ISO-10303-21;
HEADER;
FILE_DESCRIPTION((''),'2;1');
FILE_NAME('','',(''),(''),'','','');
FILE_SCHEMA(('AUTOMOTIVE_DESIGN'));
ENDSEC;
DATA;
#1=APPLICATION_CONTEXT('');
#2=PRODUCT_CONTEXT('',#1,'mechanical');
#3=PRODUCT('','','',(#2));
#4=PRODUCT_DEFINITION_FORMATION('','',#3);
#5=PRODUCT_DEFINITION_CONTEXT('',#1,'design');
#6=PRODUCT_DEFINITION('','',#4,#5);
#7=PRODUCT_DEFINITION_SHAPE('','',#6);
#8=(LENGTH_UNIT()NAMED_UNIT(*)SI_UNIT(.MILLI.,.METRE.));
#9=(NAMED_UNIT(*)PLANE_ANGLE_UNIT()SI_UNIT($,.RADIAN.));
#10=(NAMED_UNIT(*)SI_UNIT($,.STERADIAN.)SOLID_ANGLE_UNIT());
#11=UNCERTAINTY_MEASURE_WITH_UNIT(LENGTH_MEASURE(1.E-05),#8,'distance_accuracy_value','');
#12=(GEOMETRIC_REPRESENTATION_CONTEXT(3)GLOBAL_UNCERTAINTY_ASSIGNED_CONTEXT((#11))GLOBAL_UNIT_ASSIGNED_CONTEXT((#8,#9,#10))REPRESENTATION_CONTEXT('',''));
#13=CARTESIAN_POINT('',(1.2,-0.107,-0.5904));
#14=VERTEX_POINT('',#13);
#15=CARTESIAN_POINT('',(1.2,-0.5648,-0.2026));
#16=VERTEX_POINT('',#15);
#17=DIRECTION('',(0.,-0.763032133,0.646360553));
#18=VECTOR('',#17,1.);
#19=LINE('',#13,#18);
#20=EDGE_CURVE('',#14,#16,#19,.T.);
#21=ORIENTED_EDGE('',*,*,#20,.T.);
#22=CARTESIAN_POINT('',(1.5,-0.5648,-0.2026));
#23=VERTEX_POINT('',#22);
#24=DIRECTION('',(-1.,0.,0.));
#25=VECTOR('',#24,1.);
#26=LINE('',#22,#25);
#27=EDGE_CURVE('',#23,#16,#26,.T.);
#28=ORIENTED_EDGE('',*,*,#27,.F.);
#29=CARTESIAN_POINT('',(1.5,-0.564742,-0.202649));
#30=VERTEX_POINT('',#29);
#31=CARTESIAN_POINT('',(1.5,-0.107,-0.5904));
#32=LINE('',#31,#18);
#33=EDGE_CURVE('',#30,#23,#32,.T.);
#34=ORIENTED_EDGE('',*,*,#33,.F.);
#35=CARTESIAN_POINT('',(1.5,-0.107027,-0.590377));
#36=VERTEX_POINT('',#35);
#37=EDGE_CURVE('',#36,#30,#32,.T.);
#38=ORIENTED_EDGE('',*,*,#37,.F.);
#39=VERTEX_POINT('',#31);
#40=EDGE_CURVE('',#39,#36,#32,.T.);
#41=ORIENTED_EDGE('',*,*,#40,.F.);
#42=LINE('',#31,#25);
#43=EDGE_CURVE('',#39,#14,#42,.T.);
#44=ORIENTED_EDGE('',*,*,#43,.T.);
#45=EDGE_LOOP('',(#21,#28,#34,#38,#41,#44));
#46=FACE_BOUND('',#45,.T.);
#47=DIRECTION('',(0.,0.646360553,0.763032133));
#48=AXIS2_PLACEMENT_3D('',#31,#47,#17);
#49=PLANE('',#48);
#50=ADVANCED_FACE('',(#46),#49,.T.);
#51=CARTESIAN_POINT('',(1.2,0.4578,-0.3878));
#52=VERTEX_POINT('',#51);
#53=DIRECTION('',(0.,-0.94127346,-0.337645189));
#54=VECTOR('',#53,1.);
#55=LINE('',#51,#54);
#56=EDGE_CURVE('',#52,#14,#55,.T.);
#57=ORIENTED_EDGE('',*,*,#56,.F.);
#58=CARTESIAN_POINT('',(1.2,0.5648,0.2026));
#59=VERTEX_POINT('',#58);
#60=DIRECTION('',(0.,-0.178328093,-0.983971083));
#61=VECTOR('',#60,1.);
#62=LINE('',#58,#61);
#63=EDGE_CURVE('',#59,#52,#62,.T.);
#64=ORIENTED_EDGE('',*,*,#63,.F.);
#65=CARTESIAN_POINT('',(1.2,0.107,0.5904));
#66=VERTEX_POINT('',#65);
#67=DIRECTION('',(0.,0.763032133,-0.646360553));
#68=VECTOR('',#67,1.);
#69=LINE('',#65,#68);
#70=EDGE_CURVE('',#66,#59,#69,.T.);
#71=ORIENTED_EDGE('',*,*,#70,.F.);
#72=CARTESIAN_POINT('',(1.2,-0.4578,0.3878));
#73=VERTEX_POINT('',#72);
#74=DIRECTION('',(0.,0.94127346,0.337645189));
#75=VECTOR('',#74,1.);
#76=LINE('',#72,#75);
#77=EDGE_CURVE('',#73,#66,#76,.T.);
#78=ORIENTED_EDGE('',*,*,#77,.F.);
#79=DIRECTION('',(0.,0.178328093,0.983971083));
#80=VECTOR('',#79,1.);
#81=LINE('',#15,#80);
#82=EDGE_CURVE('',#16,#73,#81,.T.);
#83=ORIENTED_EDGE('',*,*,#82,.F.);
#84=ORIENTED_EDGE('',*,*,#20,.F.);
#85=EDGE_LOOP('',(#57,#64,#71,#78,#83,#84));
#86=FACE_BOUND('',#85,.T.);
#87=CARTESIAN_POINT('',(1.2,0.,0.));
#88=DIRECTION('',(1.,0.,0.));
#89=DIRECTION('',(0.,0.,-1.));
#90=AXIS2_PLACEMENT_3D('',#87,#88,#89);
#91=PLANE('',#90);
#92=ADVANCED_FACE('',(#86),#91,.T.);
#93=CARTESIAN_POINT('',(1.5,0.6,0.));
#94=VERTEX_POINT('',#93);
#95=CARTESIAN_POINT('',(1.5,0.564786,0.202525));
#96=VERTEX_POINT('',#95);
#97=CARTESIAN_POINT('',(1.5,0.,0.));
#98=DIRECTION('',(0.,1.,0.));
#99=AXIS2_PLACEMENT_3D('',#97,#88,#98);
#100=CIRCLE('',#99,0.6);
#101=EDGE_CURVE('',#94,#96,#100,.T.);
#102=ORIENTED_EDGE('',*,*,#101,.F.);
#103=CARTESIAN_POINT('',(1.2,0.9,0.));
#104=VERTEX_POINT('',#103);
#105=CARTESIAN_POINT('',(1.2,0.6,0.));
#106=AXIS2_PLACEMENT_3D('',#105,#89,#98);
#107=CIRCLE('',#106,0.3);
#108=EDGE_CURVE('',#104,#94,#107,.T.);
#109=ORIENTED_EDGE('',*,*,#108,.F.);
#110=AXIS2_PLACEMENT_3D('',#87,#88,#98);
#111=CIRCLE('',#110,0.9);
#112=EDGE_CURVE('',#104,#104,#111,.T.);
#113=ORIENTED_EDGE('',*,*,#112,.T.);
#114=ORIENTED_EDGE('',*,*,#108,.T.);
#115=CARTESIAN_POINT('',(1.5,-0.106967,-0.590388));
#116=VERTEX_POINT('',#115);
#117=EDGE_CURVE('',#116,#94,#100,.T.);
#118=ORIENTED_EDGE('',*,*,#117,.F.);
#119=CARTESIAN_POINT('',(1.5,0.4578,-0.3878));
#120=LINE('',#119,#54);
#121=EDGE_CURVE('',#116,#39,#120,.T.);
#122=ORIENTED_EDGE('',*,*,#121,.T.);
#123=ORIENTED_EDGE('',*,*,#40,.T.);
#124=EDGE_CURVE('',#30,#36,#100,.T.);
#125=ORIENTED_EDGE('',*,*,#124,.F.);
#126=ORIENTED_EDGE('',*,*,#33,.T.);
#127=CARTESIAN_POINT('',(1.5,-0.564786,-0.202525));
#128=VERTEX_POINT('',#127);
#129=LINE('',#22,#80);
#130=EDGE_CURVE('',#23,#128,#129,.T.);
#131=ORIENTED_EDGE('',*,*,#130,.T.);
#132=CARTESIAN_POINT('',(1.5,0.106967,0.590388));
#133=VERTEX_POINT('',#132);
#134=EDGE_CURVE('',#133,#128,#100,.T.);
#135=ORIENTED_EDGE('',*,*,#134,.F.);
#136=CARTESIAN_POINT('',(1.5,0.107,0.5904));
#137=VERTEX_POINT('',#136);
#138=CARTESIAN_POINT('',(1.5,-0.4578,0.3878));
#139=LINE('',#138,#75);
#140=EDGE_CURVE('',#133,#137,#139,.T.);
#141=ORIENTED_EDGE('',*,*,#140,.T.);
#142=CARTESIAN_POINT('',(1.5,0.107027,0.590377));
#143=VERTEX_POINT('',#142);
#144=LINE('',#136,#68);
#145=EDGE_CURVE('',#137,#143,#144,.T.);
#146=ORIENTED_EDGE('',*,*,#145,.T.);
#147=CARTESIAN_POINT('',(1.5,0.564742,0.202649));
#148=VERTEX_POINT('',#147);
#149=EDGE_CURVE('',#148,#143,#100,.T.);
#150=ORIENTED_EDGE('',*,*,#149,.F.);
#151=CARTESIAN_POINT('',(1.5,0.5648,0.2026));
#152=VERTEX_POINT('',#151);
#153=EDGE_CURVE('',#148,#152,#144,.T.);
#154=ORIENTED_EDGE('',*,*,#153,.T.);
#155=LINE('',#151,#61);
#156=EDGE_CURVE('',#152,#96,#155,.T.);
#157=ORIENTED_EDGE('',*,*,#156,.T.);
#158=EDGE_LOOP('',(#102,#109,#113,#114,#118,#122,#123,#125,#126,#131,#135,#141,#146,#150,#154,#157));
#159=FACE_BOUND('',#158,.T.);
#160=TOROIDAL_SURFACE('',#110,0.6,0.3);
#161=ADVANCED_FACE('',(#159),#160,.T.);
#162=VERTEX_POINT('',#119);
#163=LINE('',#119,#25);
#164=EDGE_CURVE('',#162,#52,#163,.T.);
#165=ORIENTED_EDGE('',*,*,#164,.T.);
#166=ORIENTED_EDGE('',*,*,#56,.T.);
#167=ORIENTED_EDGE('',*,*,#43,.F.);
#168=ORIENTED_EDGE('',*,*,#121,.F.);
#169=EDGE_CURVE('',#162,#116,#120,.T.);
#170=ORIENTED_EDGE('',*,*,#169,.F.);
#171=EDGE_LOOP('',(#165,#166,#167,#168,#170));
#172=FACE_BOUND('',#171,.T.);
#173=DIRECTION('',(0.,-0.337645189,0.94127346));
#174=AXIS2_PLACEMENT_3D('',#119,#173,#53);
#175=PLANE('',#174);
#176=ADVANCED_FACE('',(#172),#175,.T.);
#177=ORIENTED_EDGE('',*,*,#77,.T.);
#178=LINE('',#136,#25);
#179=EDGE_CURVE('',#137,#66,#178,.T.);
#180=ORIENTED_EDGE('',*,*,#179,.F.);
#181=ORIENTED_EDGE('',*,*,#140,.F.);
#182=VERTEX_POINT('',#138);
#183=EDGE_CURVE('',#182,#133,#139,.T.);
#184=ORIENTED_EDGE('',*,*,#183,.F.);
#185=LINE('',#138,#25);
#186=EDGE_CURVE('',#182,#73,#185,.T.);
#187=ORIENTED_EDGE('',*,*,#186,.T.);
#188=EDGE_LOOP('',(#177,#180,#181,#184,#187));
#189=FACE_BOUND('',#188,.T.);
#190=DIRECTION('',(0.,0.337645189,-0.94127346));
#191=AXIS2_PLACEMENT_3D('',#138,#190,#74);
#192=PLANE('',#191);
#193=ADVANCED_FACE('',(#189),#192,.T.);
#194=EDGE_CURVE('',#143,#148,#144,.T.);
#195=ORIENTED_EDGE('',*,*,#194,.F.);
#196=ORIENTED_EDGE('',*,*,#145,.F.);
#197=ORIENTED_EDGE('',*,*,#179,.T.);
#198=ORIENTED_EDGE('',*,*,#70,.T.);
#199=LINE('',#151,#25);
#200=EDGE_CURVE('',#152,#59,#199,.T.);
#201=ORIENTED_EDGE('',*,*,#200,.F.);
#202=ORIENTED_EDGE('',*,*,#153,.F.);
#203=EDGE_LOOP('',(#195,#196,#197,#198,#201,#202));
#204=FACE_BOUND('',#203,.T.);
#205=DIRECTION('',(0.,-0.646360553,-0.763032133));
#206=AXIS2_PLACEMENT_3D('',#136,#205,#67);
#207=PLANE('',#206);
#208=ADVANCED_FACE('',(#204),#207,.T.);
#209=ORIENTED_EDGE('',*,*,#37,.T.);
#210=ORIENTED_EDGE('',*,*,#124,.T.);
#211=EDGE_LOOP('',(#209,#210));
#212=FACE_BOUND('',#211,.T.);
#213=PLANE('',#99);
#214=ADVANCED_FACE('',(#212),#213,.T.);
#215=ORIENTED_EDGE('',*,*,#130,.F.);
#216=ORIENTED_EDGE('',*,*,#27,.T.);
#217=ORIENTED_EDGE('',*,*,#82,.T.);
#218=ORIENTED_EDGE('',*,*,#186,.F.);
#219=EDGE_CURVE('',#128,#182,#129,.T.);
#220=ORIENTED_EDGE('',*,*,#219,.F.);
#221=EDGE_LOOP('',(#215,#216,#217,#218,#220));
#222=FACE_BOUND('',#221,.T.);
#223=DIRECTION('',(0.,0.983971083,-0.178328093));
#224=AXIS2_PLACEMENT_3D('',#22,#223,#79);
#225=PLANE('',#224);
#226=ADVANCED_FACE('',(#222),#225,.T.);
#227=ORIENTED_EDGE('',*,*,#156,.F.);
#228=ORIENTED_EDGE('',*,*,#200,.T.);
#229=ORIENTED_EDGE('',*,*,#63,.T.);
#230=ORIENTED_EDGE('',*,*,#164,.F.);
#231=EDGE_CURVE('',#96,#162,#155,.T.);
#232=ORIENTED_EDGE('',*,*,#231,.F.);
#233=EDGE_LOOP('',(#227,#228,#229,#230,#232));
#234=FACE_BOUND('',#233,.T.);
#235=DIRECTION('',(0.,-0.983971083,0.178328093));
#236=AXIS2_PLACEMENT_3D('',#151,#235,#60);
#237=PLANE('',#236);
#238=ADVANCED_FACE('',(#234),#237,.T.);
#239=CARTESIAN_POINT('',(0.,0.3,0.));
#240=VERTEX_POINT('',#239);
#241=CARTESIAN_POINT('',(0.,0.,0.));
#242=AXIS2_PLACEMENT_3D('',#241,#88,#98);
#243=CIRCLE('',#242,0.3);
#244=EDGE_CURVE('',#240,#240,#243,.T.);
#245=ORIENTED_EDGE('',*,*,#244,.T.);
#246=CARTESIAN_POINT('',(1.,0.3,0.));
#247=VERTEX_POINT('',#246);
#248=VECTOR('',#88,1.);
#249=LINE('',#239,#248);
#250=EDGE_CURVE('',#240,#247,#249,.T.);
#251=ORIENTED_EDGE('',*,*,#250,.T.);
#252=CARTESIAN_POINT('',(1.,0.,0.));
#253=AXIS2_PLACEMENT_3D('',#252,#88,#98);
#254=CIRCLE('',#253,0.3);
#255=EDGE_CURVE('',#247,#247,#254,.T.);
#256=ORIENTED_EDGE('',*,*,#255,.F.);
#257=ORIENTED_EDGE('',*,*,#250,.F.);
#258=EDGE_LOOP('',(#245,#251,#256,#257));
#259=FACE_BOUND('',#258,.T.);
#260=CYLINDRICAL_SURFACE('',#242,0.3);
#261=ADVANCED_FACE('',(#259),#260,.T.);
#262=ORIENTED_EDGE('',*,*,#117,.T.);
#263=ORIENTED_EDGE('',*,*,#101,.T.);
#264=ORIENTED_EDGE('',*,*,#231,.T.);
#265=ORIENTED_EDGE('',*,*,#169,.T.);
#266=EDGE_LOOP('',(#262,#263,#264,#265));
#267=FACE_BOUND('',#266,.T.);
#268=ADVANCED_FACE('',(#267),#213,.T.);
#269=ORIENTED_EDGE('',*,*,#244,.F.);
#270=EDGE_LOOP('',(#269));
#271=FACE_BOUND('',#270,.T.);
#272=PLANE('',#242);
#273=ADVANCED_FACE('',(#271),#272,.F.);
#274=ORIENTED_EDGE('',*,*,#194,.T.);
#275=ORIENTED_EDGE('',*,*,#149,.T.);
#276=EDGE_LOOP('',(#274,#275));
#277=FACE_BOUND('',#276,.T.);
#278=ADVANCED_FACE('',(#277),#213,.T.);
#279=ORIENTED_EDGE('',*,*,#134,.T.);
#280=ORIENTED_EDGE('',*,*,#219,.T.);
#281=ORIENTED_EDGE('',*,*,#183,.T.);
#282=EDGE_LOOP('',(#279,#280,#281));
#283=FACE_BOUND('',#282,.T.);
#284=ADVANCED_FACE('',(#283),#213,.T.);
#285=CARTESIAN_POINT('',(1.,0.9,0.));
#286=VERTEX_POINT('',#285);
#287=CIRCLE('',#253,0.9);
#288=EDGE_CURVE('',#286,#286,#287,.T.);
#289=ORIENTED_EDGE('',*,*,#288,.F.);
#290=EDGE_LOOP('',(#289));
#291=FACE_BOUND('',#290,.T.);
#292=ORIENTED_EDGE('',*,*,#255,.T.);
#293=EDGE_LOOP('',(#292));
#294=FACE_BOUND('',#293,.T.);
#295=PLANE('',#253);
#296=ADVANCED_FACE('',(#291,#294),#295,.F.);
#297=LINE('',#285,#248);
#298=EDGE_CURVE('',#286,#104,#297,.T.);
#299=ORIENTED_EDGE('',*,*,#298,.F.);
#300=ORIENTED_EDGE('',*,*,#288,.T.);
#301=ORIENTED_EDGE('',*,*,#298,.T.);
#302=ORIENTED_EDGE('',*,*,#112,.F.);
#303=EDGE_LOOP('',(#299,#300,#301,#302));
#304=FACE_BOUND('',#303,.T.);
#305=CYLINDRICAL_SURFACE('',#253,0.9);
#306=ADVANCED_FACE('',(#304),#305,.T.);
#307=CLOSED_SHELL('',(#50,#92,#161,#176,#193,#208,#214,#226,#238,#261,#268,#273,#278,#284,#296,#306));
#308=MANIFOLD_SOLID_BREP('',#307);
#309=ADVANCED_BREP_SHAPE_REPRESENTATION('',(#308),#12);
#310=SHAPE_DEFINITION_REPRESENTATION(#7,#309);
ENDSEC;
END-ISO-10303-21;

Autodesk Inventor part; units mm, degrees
ref_plane "YZ Plane" through (0, 0, 0) normal (1, 0, 0) x (0, 1, 0)
ref_plane "XZ Plane" through (0, 0, 0) normal (0, 1, 0) x (-1, 0, 0)
ref_plane "XY Plane" through (0, 0, 0) normal (0, 0, 1) x (1, 0, 0)
sketch "Szkic1" plane through (0, 0, 0) normal (0, 0, 1) x (1, 0, 0)
  line L0 (-0.3, 0) -> (1.8, 0) projected
  line L1 (0, -0.18) -> (0, 1.08) construction
  line L2 (0, 0) -> (0, 0.3)
  line L3 (0, 0.3) -> (1, 0.3)
  line L4 (1, 0.3) -> (1, 0.9)
  line L5 (1, 0.9) -> (1.5, 0.9)
  line L6 (1.5, 0.9) -> (1.5, 0)
  line L7 (0, 0) -> (1.5, 0)
  dimension "d0" = 0.3
  dimension "d1" = 1
  dimension "d2" = 0.6
  dimension "d3" = 0.5
revolve "Obrót1" add sketch "Szkic1" angle 360 about axis through (-10, 0, 0) along (1, 0, 0)
fillet "Zaokrąglenie1" radius 0.3 1 edges at (1.5, -0.9, 0)
sketch "Szkic2" plane through (1.5, 0, 0) normal (1, 0, 0) x (0, 0, -1)
  circle A0 centre (0, 0) radius 0.6 construction
  circle A1 centre (0, 0) radius 0.6 construction
  circle A2 centre (0, 0) radius 0.6 construction
  line L0 (0.2026, -0.5648) -> (-0.3878, -0.4578)
  line L1 (-0.3878, -0.4578) -> (-0.5904, 0.107)
  line L2 (-0.5904, 0.107) -> (-0.2026, 0.5648)
  line L3 (-0.2026, 0.5648) -> (0.3878, 0.4578)
  line L4 (0.3878, 0.4578) -> (0.5904, -0.107)
  line L5 (0.5904, -0.107) -> (0.2026, -0.5648)
  dimension "d6" = 0.4578
extrude "Wyciągnięcie proste1" cut sketch "Szkic2" against normal blind 0.3
properties part number "nit"
